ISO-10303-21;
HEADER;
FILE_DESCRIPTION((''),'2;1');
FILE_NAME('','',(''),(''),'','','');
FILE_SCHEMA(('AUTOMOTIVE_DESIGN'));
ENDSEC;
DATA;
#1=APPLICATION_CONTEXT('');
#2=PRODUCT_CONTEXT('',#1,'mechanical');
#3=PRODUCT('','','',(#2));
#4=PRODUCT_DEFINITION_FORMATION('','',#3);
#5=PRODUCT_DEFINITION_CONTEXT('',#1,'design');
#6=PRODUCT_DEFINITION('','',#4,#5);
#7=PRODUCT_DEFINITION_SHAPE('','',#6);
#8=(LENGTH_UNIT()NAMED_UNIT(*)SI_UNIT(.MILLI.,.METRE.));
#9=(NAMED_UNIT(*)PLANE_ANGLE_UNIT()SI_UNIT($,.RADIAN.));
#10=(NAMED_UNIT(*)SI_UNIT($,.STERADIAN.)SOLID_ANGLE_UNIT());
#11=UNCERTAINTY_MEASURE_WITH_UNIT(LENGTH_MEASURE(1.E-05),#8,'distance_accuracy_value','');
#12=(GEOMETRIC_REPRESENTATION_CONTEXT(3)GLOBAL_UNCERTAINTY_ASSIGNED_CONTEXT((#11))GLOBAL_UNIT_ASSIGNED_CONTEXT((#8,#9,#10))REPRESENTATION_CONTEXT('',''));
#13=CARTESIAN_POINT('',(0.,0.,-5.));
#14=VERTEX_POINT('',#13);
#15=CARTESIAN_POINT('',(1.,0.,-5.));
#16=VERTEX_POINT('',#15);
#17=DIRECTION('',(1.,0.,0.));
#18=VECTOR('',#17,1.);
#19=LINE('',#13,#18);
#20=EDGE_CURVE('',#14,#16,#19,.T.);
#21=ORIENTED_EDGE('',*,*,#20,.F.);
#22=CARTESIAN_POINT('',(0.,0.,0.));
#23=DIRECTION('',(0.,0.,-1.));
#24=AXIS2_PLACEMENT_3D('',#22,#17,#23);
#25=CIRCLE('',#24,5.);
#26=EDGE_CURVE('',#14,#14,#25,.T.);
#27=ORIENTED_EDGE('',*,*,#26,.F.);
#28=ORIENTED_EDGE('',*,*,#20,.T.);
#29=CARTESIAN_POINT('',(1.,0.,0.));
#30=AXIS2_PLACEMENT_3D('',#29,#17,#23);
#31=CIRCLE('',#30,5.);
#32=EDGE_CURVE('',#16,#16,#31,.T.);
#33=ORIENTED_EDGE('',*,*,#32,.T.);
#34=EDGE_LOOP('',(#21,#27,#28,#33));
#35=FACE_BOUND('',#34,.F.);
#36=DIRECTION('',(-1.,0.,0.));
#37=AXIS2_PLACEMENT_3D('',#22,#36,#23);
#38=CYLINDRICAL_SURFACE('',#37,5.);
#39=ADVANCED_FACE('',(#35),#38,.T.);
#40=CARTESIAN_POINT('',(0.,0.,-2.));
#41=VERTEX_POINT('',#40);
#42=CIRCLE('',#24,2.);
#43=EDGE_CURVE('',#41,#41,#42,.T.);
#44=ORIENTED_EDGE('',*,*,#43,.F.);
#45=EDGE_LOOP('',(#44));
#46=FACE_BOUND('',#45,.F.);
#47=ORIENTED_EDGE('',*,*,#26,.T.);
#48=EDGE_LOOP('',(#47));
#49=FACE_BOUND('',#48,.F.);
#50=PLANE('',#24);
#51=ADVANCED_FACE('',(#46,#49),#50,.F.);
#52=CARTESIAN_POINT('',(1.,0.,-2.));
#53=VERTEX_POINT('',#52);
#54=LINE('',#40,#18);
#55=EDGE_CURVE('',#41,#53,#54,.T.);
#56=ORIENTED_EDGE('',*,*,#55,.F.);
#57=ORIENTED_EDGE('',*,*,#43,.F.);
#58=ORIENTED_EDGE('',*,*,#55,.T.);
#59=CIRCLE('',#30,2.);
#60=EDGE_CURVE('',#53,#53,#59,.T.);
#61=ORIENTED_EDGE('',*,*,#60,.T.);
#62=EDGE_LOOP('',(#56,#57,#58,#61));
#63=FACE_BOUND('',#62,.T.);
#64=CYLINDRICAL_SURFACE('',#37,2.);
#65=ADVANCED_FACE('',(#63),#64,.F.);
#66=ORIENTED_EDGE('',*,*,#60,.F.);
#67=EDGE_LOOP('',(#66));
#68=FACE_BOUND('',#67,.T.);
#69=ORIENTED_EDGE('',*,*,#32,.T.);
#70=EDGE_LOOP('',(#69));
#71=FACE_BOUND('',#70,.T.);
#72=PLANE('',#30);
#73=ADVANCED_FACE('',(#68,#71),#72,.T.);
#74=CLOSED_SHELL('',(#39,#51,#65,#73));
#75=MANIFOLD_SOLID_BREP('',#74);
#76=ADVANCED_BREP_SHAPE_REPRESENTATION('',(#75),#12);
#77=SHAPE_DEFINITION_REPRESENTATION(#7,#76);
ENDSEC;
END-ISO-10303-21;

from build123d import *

# Parameters (mm, degrees)
SKETCH1_R          = 5
SKETCH1_R_2        = 2
BASE_EXTRUDE_DEPTH = 1


with BuildPart() as part:
    # Sketch1 → Base-Extrude (new body)
    with BuildSketch(Plane(origin=(0, 0, 0), x_dir=(0, 0, -1), z_dir=(1, 0, 0))):
        Circle(SKETCH1_R)
        Circle(SKETCH1_R_2, mode=Mode.SUBTRACT)
    extrude(amount=BASE_EXTRUDE_DEPTH)


solid = part.part
